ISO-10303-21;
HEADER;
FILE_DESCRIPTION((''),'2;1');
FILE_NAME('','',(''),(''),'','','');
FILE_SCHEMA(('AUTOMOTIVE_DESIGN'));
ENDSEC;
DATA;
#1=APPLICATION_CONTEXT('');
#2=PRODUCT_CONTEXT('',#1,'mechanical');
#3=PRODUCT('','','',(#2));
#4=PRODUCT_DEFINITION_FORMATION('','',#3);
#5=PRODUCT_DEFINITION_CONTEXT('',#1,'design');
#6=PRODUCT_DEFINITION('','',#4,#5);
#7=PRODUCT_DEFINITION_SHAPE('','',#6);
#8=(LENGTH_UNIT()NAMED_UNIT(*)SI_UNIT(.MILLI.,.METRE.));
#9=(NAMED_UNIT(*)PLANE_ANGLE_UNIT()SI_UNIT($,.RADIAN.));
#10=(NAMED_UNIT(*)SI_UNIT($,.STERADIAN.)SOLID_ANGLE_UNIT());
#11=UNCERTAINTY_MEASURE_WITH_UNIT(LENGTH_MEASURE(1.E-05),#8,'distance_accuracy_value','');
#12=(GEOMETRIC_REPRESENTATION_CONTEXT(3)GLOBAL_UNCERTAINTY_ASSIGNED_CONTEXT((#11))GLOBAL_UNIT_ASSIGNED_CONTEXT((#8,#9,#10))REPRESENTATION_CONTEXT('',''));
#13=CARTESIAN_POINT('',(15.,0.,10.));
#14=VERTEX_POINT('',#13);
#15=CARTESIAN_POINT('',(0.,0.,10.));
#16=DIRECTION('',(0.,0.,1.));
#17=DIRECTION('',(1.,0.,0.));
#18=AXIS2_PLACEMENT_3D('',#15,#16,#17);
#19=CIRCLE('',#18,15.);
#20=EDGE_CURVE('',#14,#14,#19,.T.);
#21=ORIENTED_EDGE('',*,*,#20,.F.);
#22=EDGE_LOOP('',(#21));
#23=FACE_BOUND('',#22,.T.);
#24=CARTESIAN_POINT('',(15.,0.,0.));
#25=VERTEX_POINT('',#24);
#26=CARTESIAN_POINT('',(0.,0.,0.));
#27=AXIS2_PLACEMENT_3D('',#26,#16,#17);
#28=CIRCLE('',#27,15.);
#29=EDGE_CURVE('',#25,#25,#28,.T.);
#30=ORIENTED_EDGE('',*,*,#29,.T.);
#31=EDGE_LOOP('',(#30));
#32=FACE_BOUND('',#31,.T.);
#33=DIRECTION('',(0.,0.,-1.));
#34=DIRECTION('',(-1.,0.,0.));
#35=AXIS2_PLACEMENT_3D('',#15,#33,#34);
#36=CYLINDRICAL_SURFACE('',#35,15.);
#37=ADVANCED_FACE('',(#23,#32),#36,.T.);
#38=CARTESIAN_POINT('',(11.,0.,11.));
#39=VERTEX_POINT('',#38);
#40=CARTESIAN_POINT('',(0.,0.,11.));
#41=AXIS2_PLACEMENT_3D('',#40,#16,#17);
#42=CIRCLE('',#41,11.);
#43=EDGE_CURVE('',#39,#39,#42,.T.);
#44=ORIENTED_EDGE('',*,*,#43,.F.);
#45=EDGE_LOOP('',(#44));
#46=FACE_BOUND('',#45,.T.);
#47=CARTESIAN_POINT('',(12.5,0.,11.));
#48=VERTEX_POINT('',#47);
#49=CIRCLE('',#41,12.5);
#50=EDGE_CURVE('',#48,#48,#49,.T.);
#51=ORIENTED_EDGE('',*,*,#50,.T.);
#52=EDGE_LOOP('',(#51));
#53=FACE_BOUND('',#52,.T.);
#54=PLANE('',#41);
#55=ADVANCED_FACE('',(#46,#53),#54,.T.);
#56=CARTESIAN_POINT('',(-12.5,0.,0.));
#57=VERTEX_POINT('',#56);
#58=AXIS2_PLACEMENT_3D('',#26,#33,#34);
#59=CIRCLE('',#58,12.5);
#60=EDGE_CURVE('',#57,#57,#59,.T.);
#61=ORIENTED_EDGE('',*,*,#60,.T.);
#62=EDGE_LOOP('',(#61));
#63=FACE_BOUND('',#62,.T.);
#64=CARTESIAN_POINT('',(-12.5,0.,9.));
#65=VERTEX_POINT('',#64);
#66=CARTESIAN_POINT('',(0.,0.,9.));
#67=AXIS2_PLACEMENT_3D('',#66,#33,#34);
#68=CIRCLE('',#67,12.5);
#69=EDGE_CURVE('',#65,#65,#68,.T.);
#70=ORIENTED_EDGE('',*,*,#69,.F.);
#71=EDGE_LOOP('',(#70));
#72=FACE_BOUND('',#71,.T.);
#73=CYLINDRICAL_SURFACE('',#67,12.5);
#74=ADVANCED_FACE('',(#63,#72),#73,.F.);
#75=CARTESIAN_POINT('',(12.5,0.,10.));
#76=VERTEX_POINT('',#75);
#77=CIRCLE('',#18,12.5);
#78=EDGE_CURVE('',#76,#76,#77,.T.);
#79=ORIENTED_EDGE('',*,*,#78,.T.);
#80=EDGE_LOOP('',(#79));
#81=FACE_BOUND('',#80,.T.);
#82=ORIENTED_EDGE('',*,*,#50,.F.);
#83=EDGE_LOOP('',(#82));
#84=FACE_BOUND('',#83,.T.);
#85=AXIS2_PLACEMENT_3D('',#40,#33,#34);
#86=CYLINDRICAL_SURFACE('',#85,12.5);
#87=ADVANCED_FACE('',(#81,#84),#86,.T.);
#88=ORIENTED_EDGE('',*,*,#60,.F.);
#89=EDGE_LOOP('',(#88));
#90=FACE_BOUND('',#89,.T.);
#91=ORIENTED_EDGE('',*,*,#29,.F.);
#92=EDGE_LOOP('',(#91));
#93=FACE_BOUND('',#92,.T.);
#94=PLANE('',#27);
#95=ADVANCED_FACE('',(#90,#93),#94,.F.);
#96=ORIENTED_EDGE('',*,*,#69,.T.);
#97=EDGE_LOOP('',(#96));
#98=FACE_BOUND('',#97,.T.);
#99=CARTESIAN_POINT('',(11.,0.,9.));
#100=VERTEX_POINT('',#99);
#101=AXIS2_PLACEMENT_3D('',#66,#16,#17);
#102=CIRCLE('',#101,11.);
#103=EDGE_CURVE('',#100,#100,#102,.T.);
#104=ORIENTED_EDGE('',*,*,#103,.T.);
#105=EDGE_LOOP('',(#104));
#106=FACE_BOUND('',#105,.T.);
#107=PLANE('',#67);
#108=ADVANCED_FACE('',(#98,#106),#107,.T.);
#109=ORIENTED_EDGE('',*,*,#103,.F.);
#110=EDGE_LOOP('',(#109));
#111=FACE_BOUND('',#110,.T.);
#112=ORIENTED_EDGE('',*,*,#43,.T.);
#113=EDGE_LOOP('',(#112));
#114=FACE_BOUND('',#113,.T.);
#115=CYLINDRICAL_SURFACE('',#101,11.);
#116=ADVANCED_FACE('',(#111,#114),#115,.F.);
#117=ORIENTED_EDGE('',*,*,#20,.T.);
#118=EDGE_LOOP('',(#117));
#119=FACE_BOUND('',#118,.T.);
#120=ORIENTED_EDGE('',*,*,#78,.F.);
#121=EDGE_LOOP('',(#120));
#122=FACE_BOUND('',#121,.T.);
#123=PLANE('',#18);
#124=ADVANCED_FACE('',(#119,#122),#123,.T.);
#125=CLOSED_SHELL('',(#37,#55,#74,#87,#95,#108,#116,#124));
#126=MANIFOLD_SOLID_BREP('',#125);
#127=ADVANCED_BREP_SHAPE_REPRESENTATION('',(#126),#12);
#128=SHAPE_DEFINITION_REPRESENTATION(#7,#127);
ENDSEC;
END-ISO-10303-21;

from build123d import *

# Parameters (mm, degrees)
ESQUISSE1_R             = 15
BOSS_EXTRU_1_DEPTH      = 10
ESQUISSE2_R             = 12.5
BOSS_EXTRU_2_DEPTH      = 1
ESQUISSE3_R             = 11
ENL_V_MAT_EXTRU_1_DEPTH = 2
ESQUISSE4_R             = 12.5
ENL_V_MAT_EXTRU_2_DEPTH = 9


with BuildPart() as part:
    # Esquisse1 → Boss.-Extru.1 (new body)
    with BuildSketch(Plane.XY):
        Circle(ESQUISSE1_R)
    extrude(amount=BOSS_EXTRU_1_DEPTH)

    # Esquisse2 → Boss.-Extru.2 (add)
    with BuildSketch(Plane.XY.offset(10)):
        Circle(ESQUISSE2_R)
    extrude(amount=BOSS_EXTRU_2_DEPTH)

    # Esquisse3 → Enlèv. mat.-Extru.1 (cut)
    with BuildSketch(Plane.XY.offset(11)):
        Circle(ESQUISSE3_R)
    extrude(amount=-ENL_V_MAT_EXTRU_1_DEPTH, mode=Mode.SUBTRACT)

    # Esquisse4 → Enlèv. mat.-Extru.2 (cut)
    with BuildSketch(Plane(origin=(0, 0, 0), x_dir=(-1, 0, 0), z_dir=(0, 0, -1))):
        with Locations(Location((0, 0, 0), (0, 0, 180))):
            Circle(ESQUISSE4_R)
    extrude(amount=-ENL_V_MAT_EXTRU_2_DEPTH, mode=Mode.SUBTRACT)


solid = part.part
